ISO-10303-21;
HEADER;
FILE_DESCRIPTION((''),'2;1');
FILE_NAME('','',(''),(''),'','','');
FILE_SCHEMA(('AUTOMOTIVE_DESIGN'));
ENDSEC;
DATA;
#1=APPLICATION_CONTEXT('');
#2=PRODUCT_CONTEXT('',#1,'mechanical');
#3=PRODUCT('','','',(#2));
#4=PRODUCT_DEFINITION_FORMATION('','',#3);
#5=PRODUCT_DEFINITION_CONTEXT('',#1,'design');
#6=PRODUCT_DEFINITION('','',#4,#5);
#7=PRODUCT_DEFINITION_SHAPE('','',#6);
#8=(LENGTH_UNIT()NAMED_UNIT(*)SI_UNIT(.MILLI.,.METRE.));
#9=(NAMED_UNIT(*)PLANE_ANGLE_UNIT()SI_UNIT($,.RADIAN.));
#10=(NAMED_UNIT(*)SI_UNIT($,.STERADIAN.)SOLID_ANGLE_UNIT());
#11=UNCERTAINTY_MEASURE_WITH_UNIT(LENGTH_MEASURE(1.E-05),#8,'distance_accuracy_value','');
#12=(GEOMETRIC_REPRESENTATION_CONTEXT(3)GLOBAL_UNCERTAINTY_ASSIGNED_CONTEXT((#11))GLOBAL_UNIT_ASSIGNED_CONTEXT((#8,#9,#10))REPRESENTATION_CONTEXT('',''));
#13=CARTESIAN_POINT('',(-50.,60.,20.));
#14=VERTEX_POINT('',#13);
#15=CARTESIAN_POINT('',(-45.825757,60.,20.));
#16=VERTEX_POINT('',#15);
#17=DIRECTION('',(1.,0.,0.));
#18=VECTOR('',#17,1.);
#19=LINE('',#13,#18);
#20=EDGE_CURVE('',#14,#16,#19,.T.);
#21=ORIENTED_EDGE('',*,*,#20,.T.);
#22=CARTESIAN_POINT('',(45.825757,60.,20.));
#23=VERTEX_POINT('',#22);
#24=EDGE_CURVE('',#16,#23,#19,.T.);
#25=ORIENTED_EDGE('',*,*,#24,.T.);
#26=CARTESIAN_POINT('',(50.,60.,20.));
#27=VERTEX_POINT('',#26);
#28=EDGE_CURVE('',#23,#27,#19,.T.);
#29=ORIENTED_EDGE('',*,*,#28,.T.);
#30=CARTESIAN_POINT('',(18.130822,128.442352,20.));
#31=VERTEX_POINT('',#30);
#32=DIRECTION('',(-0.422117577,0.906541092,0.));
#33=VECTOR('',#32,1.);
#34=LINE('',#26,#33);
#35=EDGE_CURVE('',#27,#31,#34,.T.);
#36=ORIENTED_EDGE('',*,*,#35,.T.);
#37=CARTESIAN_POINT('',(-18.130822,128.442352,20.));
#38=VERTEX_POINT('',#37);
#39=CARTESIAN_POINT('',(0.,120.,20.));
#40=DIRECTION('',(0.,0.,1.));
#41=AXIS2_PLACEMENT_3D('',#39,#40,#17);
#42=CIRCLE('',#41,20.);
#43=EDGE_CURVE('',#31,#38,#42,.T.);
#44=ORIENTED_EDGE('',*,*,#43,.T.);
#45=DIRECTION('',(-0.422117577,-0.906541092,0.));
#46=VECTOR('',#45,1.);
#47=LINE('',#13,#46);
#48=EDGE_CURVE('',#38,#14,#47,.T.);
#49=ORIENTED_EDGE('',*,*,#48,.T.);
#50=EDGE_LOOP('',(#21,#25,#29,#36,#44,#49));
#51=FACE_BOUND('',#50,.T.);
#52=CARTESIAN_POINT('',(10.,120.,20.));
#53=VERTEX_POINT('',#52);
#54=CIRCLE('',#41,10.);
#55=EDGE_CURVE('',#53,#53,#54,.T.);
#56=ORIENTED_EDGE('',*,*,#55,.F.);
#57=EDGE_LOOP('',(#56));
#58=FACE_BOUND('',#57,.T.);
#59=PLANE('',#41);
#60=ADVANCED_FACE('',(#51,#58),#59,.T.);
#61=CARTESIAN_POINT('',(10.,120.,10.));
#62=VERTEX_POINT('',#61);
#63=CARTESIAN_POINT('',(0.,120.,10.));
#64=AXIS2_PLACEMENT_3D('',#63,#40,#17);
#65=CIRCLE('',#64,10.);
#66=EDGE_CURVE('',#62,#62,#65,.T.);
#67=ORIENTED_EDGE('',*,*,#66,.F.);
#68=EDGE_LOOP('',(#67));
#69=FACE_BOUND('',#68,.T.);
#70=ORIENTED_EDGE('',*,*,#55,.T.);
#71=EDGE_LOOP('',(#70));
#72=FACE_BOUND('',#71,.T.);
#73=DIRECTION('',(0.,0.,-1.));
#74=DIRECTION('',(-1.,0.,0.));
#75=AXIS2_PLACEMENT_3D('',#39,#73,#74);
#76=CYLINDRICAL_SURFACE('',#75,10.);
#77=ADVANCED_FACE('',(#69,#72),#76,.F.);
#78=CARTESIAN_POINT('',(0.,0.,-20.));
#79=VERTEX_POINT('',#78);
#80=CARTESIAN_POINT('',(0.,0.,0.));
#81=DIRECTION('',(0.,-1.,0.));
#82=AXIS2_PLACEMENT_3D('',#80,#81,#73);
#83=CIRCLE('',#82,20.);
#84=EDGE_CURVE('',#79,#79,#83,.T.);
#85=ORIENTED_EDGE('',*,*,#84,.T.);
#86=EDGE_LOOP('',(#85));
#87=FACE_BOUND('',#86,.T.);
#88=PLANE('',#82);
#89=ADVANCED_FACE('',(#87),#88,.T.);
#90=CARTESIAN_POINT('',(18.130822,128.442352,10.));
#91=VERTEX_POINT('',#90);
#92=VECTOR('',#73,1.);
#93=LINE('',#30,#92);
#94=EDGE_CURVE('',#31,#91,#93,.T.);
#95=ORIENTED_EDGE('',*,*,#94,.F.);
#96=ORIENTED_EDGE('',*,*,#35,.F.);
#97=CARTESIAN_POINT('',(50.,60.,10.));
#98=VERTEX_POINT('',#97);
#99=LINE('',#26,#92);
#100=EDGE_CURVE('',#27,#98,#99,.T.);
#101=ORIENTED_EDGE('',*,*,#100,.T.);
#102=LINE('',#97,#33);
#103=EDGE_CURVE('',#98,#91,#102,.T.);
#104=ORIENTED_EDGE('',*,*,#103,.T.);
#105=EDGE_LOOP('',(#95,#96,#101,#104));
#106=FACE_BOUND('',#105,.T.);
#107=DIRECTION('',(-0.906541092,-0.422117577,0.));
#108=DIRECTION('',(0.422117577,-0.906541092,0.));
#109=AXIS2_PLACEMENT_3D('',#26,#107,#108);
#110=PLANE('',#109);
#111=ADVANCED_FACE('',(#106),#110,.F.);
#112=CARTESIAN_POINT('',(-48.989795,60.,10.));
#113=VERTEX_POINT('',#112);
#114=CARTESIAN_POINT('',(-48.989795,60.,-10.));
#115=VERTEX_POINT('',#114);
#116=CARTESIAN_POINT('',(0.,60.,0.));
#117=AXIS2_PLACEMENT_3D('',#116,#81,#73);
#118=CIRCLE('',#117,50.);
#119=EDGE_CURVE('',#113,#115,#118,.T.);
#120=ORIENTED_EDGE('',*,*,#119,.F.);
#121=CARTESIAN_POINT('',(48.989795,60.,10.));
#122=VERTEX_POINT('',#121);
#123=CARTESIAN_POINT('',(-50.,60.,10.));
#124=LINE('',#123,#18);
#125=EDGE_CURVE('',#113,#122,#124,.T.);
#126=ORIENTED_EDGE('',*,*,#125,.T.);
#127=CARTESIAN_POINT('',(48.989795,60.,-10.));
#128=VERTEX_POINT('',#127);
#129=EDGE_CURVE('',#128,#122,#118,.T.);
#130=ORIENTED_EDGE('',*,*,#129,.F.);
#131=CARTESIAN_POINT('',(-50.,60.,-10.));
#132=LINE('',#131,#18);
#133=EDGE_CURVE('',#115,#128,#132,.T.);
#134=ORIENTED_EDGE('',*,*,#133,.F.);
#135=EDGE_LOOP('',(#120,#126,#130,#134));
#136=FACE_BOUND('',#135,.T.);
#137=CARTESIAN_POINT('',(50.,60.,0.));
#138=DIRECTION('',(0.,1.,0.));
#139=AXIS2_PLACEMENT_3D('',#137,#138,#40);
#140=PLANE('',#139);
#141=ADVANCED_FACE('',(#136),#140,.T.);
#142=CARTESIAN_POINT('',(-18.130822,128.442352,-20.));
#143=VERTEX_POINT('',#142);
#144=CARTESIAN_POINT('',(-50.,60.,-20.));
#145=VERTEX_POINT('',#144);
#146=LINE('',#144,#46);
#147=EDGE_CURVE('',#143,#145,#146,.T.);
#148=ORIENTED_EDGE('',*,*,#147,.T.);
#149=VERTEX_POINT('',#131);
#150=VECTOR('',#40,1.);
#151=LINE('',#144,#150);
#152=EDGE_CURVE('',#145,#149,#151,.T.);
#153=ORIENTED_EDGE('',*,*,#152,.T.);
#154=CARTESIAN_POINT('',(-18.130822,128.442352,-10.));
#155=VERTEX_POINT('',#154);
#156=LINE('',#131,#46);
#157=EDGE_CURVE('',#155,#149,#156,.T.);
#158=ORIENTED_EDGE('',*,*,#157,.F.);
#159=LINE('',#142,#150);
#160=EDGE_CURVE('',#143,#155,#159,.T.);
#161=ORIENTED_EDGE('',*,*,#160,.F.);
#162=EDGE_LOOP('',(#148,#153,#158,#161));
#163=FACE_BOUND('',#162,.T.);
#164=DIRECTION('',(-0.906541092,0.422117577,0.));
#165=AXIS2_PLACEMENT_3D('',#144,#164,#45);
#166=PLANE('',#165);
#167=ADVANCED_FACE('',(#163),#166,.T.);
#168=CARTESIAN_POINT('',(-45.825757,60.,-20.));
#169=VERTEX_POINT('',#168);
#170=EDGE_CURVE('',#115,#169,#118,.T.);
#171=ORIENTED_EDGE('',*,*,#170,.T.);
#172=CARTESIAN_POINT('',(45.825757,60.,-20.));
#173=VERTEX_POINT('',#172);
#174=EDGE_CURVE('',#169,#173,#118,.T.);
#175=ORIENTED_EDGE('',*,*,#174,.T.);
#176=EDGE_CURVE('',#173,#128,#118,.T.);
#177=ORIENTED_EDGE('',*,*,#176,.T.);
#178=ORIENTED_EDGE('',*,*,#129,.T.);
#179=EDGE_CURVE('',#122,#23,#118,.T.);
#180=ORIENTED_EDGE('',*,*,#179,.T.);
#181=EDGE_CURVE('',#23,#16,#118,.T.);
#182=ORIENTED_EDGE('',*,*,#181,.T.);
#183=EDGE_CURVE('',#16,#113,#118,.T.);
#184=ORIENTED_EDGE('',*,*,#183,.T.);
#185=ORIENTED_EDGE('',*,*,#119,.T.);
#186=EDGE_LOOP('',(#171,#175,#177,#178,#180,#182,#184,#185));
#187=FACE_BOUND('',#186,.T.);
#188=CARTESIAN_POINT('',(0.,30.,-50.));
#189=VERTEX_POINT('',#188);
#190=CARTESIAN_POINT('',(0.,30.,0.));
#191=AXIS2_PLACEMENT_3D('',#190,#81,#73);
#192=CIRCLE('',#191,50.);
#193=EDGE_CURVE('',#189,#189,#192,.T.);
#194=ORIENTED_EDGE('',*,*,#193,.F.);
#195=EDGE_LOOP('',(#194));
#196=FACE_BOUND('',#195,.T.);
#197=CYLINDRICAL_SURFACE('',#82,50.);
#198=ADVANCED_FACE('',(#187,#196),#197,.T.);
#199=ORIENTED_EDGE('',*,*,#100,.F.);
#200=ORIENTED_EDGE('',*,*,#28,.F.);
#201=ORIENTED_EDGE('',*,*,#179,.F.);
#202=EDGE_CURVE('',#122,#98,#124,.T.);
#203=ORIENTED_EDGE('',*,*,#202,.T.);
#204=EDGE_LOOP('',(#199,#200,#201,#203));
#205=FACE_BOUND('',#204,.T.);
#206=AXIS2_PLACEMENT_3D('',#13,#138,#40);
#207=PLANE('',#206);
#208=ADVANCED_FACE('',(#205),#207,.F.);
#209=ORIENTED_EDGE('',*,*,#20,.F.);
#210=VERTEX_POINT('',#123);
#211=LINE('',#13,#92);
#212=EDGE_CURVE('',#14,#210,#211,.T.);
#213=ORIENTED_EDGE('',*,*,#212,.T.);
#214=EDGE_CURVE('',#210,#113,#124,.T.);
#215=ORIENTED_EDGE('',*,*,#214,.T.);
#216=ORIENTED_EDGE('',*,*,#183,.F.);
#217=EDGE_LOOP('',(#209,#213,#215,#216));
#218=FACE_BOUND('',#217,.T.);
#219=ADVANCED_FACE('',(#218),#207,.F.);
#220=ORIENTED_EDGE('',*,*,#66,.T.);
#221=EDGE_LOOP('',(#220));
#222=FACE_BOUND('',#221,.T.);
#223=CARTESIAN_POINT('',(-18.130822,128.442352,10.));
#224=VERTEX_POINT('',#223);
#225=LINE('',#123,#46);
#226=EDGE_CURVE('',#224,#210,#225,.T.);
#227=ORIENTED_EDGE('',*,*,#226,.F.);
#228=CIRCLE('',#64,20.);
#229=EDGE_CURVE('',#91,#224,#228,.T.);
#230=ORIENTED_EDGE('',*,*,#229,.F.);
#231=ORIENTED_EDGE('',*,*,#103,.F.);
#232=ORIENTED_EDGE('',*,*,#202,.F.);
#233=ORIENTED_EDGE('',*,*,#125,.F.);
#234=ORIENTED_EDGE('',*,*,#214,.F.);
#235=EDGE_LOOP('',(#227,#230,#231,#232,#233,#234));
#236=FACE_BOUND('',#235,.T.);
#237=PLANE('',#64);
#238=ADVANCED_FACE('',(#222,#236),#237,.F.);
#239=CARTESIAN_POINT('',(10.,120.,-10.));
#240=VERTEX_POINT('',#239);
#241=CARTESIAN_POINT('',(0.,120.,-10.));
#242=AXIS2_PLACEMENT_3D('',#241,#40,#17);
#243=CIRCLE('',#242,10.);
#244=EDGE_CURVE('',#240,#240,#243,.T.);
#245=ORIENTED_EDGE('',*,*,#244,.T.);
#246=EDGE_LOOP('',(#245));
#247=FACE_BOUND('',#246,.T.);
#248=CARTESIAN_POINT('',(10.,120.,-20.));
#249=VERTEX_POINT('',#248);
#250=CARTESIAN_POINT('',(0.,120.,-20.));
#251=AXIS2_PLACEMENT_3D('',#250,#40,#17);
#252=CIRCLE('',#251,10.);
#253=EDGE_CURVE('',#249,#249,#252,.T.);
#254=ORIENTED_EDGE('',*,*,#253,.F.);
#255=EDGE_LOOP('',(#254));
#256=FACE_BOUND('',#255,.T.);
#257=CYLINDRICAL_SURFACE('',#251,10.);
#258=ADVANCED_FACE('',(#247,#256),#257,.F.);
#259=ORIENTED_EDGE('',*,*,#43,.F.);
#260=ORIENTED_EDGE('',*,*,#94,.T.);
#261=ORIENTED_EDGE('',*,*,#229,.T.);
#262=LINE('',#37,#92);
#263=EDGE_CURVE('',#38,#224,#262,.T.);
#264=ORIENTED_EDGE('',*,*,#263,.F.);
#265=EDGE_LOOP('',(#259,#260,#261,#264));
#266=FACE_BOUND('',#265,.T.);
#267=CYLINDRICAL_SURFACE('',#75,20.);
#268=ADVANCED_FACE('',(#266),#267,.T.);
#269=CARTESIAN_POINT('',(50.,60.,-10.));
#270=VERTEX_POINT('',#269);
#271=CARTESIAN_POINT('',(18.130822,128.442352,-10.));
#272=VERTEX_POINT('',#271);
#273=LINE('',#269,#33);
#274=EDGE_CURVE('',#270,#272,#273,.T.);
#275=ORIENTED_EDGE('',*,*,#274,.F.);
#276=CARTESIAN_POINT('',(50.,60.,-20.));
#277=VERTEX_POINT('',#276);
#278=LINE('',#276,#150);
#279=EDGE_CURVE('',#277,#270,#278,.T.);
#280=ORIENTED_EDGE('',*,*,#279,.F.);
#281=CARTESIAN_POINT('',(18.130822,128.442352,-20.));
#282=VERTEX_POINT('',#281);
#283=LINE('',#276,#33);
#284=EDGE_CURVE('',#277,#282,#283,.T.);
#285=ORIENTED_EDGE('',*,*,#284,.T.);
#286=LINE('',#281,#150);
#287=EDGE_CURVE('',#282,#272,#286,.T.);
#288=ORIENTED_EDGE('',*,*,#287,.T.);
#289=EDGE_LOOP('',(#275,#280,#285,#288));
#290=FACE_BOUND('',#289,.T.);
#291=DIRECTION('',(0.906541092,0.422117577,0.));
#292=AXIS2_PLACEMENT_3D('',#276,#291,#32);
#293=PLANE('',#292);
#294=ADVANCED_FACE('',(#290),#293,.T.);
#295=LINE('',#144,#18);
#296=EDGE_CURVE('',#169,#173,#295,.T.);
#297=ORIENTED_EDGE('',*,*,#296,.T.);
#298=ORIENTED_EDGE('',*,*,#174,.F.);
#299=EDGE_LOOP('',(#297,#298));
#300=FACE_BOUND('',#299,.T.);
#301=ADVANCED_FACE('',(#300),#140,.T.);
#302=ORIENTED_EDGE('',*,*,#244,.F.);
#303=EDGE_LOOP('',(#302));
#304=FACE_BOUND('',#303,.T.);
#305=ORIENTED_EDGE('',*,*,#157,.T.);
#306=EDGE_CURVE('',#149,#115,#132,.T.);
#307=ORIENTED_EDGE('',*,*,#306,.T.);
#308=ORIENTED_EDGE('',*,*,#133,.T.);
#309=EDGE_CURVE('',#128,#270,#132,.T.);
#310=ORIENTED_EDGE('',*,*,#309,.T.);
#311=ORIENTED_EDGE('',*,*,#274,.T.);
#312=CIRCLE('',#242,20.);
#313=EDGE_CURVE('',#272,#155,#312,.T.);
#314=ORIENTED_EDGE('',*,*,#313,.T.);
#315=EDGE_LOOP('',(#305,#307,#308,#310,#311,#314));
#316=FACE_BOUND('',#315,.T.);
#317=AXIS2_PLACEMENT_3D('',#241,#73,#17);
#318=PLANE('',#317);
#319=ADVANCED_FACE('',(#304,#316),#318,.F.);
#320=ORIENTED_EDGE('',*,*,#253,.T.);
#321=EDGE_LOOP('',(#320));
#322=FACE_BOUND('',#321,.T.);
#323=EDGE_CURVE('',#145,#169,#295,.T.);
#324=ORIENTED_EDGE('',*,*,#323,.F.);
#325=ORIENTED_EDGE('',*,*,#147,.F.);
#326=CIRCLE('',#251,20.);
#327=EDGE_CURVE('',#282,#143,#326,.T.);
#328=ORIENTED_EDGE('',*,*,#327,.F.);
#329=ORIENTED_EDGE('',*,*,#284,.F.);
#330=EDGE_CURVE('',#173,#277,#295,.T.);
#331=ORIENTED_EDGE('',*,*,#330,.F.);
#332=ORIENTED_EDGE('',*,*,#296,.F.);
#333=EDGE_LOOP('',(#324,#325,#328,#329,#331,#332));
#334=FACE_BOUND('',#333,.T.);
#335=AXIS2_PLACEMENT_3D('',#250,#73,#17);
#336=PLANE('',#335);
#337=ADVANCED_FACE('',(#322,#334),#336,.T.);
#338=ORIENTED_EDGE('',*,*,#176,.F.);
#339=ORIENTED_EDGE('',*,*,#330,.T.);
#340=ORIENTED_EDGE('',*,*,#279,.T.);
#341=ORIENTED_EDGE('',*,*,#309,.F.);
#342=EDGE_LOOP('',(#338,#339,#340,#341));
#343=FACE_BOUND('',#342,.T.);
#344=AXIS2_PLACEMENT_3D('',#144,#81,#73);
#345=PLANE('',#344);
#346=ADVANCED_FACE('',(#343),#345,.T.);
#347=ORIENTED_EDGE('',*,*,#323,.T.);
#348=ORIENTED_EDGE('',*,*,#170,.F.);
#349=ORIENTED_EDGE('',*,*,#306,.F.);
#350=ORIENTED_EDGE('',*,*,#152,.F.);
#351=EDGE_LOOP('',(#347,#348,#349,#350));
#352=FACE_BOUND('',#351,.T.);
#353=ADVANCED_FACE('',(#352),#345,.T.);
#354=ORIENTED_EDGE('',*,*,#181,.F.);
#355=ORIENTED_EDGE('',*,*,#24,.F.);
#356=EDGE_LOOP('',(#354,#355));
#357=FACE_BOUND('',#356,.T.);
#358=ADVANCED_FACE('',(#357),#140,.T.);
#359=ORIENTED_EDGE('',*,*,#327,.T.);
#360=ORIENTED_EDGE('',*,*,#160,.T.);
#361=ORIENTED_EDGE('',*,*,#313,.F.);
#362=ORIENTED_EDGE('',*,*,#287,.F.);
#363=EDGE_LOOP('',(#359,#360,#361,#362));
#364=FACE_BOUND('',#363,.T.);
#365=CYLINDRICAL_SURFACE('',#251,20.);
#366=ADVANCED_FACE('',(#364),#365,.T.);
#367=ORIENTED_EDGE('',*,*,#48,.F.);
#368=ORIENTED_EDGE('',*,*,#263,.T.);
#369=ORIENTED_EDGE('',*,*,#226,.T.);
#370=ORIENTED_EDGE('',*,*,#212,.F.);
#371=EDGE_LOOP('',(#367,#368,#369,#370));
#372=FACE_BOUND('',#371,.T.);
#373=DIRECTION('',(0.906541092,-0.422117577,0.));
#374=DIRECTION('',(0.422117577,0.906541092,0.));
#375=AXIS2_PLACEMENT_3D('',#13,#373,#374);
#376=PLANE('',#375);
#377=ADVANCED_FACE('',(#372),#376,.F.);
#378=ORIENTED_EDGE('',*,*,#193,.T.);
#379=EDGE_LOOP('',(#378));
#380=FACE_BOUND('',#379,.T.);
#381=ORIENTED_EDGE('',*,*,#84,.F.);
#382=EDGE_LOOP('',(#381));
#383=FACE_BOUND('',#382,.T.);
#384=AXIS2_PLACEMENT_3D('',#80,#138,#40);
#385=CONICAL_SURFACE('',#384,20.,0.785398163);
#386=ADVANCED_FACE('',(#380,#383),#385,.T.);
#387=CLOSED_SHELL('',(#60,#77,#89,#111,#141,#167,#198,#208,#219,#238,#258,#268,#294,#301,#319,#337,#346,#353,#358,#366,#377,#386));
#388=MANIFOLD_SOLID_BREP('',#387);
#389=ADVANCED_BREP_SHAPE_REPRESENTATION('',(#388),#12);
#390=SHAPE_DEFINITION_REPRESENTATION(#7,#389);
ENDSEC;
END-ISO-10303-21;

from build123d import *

# Parameters (mm, degrees)
RESSALTO_EXTRUS_O1_START = 10
ESBO_O2_R                = 10
RESSALTO_EXTRUS_O1_DEPTH = 10


with BuildPart() as part:
    # Esboço1 → Revolução1 (revolve)
    with BuildSketch(Plane.XY):
        Polygon((0, 0), (0, 60), (50, 60), (50, 30), (20, 0), align=None)
    revolve(axis=Axis((0, 0, 0), (0, 1, 0)))

    # Esboço2 → Ressalto-extrusão1 (add)
    with BuildSketch(Plane.XY.offset(RESSALTO_EXTRUS_O1_START)):
        with BuildLine():
            Line((50, 60), (18.13082184, 128.442351533))
            ThreePointArc((18.13082184, 128.442351533), (0, 140), (-18.13082184, 128.442351533))
            Line((-18.13082184, 128.442351533), (-50, 60))
            Line((-50, 60), (50, 60))
        make_face()
        with Locations((0, 120)):
            Circle(ESBO_O2_R, mode=Mode.SUBTRACT)
    ressalto_extrus_o1 = extrude(amount=RESSALTO_EXTRUS_O1_DEPTH)

    # Espelhar1: Ressalto-extrusão1 across plane
    add(ressalto_extrus_o1.mirror(Plane.XY))


solid = part.part
